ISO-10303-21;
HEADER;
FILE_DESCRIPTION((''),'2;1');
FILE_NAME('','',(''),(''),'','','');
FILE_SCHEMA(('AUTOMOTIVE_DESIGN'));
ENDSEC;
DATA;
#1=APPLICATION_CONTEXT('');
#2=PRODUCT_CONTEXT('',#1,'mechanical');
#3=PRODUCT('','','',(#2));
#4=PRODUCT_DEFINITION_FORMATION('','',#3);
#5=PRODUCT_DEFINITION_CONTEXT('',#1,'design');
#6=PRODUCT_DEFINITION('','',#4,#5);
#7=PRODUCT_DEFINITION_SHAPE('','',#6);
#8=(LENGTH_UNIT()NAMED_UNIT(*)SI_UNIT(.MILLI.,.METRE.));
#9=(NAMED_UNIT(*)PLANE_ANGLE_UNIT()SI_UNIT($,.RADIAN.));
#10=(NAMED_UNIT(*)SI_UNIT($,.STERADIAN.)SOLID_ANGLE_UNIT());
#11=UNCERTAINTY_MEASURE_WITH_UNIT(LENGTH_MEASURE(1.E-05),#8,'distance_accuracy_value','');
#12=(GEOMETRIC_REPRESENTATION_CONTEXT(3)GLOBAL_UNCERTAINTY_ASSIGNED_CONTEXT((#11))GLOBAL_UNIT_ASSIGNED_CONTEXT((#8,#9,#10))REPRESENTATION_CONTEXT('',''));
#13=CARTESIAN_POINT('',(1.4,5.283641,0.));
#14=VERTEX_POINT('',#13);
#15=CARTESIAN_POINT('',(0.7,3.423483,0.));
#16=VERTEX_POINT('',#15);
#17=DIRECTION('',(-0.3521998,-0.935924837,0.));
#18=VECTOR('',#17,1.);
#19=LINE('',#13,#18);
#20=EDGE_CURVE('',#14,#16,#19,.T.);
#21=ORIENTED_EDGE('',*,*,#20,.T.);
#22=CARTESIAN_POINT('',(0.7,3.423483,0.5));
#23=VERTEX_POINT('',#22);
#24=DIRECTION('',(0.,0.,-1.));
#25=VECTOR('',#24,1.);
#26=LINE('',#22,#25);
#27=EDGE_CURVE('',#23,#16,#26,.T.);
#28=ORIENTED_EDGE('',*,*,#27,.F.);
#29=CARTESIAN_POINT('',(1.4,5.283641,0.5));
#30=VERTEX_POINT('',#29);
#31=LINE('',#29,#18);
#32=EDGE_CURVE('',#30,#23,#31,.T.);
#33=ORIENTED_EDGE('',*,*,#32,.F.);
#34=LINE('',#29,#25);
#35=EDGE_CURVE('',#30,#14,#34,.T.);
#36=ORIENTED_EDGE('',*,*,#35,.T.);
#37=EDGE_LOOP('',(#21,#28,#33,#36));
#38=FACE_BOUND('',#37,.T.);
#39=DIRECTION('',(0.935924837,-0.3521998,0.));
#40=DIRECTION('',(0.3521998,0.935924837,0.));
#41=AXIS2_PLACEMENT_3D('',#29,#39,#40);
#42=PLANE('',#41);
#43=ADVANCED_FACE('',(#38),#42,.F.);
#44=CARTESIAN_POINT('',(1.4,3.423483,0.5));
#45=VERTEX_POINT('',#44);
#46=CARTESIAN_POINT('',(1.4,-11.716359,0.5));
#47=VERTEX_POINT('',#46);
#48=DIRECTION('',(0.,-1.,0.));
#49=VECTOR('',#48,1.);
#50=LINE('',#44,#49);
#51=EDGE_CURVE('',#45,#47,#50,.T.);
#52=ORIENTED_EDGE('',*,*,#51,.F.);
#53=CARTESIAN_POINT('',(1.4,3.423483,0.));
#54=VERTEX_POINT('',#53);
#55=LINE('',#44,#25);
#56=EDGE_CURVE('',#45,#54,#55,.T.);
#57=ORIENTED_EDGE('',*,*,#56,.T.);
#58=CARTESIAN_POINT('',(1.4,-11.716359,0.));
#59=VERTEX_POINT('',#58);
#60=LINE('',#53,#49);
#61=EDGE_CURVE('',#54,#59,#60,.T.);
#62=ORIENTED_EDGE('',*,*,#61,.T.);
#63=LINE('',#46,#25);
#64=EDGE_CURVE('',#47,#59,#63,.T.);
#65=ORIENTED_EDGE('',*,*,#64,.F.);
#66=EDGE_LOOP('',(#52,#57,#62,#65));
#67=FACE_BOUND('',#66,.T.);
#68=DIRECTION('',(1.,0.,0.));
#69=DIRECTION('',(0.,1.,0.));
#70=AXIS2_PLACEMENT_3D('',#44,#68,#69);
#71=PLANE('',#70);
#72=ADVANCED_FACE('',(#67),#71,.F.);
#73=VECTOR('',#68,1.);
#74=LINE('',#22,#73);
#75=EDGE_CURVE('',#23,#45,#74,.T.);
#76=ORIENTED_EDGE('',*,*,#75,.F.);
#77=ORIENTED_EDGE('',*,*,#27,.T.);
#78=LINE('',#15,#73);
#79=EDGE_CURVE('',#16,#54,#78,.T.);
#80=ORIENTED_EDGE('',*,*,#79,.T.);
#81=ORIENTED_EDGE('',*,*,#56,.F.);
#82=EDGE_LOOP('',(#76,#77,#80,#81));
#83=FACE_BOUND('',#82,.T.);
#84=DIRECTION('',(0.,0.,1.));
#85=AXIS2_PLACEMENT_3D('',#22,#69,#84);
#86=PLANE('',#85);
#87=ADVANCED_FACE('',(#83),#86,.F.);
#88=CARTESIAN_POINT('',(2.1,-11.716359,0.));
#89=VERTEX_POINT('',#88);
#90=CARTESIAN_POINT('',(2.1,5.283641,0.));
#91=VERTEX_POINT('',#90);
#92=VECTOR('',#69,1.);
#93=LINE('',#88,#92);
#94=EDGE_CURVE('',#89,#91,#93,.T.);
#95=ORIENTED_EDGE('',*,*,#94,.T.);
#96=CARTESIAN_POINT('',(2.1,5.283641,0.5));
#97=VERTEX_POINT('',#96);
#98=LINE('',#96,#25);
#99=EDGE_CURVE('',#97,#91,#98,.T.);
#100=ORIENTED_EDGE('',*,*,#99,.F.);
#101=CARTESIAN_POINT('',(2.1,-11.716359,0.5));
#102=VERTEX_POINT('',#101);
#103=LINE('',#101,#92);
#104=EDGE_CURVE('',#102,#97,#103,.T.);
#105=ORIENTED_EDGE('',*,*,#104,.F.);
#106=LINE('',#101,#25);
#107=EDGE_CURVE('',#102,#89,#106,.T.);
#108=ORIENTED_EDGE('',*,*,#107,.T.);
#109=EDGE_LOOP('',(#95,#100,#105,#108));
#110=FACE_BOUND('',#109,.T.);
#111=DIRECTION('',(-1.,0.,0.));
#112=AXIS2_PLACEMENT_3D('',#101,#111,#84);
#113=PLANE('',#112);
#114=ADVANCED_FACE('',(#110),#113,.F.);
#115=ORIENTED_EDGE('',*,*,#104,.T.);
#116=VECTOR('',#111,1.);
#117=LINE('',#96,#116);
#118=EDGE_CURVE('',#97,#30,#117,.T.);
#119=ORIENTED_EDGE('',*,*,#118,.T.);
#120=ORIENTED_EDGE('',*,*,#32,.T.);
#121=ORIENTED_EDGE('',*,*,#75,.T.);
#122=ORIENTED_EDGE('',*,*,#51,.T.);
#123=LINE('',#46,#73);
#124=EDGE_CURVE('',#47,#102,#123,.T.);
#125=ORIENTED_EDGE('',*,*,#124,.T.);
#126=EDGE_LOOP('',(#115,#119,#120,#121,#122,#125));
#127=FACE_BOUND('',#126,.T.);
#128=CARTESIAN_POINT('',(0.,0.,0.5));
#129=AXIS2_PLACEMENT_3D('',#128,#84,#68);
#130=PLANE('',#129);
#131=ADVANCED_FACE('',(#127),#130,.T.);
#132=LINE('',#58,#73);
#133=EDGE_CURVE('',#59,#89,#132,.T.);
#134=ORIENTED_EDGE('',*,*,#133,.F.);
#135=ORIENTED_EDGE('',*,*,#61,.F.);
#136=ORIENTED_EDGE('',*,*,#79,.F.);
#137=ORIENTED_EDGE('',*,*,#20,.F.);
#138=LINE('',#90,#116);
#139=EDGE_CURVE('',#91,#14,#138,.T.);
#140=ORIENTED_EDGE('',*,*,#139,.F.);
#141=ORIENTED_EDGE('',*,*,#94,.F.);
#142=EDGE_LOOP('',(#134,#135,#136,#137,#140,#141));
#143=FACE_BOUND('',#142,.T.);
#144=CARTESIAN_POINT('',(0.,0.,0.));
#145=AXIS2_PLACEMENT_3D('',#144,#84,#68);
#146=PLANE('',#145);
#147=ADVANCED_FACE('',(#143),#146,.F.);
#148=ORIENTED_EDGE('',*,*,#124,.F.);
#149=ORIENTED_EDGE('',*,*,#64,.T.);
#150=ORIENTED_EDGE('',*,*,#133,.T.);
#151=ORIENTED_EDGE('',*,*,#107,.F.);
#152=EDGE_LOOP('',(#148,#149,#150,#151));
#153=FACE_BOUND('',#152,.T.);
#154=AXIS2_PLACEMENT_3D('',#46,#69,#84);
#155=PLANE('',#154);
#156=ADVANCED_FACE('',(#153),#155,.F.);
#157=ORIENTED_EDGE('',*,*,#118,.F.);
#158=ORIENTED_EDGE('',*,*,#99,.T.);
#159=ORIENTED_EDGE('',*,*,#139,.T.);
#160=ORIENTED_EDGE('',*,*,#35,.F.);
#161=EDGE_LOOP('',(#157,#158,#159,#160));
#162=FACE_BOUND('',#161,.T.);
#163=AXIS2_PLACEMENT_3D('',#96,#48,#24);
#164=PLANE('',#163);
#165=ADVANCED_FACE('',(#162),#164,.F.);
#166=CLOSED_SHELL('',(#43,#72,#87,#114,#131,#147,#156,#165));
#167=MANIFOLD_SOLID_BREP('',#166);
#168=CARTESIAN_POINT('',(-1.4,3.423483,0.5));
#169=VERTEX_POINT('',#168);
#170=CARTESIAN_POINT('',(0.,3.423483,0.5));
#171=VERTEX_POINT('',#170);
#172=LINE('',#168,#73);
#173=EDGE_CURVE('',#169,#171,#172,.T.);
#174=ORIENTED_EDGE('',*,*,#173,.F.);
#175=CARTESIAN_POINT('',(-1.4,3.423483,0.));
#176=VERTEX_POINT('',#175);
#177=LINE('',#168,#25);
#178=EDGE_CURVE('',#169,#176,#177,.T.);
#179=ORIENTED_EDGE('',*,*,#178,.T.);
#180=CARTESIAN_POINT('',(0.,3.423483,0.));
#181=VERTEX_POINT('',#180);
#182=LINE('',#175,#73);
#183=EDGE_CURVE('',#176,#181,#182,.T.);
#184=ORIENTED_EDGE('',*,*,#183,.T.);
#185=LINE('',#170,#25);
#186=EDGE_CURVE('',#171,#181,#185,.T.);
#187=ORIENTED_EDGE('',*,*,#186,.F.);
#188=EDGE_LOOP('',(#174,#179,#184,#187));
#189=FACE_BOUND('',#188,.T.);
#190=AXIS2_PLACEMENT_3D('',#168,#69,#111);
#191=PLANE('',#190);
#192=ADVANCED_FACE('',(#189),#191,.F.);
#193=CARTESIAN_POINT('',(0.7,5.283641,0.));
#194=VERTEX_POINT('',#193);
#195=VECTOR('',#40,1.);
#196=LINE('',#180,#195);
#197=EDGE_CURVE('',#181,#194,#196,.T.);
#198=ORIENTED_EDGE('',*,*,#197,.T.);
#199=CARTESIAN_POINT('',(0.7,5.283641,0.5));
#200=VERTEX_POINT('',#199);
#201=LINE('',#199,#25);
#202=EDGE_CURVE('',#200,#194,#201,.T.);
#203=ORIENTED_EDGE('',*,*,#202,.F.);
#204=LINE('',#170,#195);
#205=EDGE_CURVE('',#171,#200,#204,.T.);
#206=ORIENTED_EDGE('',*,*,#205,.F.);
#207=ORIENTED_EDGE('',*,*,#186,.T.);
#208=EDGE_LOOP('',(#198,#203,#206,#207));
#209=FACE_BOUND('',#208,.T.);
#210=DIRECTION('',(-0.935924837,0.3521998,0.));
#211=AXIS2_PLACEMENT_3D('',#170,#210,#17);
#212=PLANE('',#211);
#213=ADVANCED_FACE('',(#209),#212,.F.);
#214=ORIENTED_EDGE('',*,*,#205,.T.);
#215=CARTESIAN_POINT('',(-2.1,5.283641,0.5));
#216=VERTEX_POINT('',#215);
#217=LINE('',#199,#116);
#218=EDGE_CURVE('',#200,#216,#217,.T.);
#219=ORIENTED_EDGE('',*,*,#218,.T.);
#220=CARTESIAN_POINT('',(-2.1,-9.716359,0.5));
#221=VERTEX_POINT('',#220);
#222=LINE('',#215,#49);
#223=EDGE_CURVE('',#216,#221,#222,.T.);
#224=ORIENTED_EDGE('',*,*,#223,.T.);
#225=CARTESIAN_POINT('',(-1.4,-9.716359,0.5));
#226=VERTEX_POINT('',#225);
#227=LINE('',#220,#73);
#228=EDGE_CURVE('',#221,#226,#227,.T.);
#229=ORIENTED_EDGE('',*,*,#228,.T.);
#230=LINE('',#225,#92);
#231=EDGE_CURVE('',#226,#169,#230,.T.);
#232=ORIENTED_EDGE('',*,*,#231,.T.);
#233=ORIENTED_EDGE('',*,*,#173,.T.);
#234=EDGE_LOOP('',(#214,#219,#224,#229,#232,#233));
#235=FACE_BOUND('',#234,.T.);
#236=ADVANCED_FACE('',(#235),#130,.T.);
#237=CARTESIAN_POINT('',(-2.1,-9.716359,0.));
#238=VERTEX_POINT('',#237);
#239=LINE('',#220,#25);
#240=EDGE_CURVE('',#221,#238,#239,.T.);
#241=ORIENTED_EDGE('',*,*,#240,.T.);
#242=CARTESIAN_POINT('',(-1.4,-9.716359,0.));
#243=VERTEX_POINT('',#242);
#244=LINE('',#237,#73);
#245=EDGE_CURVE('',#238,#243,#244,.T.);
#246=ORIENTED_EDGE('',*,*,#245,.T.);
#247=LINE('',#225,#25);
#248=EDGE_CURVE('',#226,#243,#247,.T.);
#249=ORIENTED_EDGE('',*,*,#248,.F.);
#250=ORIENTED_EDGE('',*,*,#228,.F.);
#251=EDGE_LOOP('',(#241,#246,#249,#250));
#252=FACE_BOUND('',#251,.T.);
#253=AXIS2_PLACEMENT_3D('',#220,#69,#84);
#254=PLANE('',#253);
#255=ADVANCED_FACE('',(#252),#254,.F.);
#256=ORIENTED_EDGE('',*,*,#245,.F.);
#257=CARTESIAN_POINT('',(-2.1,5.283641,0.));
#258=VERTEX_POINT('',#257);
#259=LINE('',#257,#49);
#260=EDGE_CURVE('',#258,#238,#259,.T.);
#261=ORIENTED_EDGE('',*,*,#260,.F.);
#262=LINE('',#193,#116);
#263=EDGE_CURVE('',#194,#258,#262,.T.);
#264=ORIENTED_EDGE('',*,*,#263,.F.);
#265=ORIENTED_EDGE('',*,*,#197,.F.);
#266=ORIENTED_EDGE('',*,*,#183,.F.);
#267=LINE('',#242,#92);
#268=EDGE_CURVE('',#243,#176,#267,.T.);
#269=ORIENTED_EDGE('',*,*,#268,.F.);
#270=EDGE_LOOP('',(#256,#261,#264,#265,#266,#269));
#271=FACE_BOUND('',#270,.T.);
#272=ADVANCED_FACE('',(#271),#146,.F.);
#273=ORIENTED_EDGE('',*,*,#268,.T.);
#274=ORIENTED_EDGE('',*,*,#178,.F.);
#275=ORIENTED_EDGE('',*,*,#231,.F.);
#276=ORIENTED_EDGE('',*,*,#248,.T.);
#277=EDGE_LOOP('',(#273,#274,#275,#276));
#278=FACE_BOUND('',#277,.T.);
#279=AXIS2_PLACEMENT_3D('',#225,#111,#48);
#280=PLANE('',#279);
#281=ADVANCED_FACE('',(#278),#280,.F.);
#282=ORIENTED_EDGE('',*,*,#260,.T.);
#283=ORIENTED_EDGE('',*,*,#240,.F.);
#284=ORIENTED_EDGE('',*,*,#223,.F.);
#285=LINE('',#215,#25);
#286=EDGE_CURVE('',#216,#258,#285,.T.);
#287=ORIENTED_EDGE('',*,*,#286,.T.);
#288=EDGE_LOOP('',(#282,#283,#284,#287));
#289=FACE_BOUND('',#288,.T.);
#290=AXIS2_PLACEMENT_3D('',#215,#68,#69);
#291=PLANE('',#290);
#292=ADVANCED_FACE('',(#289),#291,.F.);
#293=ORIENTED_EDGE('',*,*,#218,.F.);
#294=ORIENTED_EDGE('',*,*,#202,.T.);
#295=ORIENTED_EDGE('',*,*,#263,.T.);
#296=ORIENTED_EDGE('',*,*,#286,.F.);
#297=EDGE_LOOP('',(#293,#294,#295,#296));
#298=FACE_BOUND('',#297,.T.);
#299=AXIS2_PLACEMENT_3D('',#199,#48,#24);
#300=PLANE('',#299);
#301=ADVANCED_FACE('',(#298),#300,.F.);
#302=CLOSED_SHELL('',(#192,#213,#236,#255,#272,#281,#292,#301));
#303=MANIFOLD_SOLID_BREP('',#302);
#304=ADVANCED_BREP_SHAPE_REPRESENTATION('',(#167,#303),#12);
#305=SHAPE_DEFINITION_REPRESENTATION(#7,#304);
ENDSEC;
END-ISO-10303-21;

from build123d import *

# Parameters (mm, degrees)
BOSS_EXTRUDE1_DEPTH   = 0.5
BOSS_EXTRUDE1_2_DEPTH = 0.5


with BuildPart() as part:
    # Sketch1 → Boss-Extrude1 (new body)
    with BuildSketch(Plane.XY):
        Polygon((1.4, 5.283641161), (0.7, 3.42348285), (1.4, 3.42348285), (1.4, -11.716358839), (2.1, -11.716358839), (2.1, 5.283641161), align=None)
    extrude(amount=BOSS_EXTRUDE1_DEPTH)


with BuildPart() as body_2:
    # Sketch1 → Boss-Extrude1 2 (new body)
    with BuildSketch(Plane.XY):
        Polygon((-2.1, -9.716358839), (-1.4, -9.716358839), (-1.4, 3.42348285), (0, 3.42348285), (0.7, 5.283641161), (-2.1, 5.283641161), align=None)
    extrude(amount=BOSS_EXTRUDE1_2_DEPTH)


solid = Compound([part.part, body_2.part])
